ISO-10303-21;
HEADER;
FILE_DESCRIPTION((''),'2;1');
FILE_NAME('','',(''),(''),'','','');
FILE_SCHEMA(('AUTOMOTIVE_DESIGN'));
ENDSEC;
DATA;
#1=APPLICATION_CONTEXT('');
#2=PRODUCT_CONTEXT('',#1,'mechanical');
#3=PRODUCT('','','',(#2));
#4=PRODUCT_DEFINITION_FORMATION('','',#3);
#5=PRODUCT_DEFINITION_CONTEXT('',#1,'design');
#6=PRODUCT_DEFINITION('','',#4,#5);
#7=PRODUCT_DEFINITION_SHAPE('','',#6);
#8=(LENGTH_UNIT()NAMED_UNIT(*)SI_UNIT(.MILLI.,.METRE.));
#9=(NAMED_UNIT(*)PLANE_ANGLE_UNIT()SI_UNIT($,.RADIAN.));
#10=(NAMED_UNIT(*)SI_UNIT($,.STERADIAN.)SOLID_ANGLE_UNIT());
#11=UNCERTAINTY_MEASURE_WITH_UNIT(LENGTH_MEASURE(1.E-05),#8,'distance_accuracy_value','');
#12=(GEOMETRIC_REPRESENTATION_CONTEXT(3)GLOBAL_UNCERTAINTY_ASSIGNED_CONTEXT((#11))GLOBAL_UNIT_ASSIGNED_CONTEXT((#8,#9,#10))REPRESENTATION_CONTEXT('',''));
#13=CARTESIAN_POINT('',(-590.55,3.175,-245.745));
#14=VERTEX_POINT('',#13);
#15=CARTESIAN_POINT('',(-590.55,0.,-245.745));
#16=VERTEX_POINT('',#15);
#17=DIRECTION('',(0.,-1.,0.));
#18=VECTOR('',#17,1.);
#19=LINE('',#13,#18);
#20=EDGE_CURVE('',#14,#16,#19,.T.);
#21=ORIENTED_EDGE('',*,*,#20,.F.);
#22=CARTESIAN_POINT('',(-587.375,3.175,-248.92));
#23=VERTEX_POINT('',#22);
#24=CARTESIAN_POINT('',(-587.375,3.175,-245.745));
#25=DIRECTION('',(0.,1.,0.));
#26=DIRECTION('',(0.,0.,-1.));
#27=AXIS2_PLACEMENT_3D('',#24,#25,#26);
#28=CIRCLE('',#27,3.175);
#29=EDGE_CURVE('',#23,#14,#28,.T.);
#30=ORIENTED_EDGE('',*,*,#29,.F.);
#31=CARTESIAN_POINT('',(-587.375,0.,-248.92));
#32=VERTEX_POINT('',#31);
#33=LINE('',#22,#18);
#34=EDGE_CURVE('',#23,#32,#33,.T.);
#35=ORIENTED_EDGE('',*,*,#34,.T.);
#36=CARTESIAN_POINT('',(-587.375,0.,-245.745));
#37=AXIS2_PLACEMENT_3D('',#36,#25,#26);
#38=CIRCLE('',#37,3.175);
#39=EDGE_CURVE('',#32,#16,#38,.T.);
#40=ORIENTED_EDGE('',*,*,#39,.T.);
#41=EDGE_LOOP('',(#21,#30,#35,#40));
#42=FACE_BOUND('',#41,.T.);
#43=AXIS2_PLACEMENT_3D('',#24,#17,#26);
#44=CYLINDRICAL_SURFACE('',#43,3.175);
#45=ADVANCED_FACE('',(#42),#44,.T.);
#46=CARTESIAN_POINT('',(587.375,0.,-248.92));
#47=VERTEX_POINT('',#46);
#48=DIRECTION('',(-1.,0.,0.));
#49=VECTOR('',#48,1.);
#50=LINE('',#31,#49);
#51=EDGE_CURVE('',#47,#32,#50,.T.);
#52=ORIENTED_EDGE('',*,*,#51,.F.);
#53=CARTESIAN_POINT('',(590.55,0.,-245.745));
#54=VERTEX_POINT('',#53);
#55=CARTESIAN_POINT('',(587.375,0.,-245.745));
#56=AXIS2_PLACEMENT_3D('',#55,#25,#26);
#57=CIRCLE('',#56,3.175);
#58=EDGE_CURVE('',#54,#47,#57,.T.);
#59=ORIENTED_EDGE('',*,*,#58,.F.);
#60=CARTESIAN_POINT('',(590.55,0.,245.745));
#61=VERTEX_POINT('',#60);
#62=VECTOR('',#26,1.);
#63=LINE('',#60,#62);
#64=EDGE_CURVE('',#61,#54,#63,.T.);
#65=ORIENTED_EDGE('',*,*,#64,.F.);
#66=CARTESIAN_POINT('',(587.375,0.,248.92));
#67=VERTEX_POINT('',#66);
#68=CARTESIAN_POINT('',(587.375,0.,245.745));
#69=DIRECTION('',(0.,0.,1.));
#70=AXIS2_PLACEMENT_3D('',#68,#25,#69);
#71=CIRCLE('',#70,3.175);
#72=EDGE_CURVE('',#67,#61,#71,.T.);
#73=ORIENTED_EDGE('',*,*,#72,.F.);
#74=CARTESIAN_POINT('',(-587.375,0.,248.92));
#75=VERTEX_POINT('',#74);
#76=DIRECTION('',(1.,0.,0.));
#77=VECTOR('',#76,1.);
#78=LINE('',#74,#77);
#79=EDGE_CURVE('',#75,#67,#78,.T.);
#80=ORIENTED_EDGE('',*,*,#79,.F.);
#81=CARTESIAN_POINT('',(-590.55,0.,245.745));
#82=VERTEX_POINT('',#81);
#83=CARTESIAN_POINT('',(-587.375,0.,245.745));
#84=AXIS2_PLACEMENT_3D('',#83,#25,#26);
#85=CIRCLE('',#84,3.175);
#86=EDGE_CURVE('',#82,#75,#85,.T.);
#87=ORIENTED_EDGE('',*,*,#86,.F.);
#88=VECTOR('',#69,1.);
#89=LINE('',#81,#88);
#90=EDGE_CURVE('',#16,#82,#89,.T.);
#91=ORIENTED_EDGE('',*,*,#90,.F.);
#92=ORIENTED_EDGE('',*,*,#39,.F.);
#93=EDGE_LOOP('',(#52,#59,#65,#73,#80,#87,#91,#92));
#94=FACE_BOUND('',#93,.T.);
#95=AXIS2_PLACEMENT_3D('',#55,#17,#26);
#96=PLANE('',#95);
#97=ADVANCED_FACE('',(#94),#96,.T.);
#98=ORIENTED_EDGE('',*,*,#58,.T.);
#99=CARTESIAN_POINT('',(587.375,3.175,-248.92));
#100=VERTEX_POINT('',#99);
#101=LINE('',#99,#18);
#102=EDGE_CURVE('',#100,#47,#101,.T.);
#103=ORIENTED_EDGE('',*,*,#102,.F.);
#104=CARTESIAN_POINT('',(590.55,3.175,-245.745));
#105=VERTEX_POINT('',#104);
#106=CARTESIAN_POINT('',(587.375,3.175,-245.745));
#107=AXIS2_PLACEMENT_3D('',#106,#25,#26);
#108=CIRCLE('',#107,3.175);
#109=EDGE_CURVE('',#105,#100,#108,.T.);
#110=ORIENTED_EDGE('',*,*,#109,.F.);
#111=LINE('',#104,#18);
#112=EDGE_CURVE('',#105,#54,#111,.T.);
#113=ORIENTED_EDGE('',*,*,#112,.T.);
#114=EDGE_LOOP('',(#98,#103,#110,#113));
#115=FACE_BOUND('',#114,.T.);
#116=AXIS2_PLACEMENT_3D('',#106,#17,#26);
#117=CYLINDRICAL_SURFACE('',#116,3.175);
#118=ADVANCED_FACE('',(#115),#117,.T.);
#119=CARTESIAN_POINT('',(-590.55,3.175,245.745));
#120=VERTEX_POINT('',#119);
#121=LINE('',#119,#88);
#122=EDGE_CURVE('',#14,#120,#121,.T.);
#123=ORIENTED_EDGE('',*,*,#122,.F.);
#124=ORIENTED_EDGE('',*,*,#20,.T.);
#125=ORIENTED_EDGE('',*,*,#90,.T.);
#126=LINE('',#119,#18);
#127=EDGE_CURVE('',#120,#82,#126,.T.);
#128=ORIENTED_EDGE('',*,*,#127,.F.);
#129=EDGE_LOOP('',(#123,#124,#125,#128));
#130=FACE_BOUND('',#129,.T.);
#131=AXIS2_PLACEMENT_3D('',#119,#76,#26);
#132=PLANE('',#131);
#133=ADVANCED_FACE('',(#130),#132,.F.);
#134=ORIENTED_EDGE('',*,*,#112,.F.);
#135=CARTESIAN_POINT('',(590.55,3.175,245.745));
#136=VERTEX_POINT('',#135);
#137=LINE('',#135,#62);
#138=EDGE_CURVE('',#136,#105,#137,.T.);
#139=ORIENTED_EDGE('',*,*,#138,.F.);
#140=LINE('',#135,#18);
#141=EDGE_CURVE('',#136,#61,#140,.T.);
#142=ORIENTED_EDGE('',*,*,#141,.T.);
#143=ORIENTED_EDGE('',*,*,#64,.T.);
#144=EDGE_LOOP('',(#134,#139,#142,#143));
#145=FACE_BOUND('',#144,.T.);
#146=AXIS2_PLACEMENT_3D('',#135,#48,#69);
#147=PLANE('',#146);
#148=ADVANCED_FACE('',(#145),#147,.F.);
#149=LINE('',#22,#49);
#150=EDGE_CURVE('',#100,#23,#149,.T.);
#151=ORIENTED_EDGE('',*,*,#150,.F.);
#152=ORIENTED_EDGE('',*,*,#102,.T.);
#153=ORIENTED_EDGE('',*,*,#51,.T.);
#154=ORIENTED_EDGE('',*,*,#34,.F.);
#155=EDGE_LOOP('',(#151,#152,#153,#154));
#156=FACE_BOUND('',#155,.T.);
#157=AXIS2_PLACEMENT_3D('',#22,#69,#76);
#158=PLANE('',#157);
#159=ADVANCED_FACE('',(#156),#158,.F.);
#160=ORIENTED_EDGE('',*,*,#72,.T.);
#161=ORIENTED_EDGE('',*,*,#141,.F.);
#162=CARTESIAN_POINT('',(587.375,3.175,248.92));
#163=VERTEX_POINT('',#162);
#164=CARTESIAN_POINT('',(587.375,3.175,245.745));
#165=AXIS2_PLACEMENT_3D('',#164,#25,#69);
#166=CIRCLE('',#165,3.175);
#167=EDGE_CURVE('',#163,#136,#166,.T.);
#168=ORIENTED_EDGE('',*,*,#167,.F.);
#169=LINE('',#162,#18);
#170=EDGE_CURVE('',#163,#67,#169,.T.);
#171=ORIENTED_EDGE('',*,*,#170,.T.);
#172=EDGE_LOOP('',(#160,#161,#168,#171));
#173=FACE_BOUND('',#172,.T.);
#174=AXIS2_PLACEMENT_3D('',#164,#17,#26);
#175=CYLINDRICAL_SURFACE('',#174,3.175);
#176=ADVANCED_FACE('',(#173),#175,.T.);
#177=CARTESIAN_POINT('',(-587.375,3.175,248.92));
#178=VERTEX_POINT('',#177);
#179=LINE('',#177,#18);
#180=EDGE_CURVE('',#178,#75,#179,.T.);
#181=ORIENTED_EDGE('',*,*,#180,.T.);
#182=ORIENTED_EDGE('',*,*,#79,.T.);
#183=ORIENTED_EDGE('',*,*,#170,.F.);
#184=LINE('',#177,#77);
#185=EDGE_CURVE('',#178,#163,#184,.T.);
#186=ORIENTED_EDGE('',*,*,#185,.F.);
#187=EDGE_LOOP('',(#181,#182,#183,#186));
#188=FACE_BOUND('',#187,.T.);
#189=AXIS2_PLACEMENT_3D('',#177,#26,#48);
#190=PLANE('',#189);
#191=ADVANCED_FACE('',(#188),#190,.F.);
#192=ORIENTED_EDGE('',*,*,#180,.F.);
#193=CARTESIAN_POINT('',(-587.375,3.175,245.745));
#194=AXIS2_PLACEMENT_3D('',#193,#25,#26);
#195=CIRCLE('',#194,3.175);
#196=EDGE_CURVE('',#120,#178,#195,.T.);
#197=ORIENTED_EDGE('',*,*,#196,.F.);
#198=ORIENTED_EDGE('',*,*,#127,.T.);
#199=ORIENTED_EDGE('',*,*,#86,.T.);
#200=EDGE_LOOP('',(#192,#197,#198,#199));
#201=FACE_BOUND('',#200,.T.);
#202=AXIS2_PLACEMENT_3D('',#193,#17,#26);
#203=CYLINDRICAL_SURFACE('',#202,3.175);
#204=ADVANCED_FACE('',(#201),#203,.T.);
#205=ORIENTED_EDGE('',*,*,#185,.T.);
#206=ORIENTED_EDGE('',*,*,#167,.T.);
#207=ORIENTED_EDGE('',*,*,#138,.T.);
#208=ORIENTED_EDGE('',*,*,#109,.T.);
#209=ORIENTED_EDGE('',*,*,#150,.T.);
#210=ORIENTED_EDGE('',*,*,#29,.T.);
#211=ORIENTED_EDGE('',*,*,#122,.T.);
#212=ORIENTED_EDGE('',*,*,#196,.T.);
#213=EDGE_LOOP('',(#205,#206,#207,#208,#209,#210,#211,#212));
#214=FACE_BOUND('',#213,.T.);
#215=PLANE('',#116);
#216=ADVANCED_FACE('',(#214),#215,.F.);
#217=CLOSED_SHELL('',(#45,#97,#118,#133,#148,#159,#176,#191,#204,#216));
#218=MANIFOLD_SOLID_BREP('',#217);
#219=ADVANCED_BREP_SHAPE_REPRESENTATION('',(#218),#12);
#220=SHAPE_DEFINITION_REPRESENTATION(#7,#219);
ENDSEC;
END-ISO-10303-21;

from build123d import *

# Parameters (mm, degrees)
BOSS_EXTRUDE1_DEPTH = 3.175


with BuildPart() as part:
    # Sketch1 → Boss-Extrude1 (new body)
    with BuildSketch(Plane(origin=(0, 0, 0), x_dir=(1, 0, 0), z_dir=(0, 1, 0))):
        with BuildLine():
            Line((-587.375, -248.92), (587.375, -248.92))
            ThreePointArc((587.375, -248.92), (589.62006403, -247.99006403), (590.55, -245.745))
            Line((590.55, -245.745), (590.55, 245.745))
            ThreePointArc((590.55, 245.745), (589.62006403, 247.99006403), (587.375, 248.92))
            Line((587.375, 248.92), (-587.375, 248.92))
            ThreePointArc((-587.375, 248.92), (-589.62006403, 247.99006403), (-590.55, 245.745))
            Line((-590.55, 245.745), (-590.55, -245.745))
            ThreePointArc((-590.55, -245.745), (-589.62006403, -247.99006403), (-587.375, -248.92))
        make_face()
    extrude(amount=BOSS_EXTRUDE1_DEPTH)


solid = part.part
